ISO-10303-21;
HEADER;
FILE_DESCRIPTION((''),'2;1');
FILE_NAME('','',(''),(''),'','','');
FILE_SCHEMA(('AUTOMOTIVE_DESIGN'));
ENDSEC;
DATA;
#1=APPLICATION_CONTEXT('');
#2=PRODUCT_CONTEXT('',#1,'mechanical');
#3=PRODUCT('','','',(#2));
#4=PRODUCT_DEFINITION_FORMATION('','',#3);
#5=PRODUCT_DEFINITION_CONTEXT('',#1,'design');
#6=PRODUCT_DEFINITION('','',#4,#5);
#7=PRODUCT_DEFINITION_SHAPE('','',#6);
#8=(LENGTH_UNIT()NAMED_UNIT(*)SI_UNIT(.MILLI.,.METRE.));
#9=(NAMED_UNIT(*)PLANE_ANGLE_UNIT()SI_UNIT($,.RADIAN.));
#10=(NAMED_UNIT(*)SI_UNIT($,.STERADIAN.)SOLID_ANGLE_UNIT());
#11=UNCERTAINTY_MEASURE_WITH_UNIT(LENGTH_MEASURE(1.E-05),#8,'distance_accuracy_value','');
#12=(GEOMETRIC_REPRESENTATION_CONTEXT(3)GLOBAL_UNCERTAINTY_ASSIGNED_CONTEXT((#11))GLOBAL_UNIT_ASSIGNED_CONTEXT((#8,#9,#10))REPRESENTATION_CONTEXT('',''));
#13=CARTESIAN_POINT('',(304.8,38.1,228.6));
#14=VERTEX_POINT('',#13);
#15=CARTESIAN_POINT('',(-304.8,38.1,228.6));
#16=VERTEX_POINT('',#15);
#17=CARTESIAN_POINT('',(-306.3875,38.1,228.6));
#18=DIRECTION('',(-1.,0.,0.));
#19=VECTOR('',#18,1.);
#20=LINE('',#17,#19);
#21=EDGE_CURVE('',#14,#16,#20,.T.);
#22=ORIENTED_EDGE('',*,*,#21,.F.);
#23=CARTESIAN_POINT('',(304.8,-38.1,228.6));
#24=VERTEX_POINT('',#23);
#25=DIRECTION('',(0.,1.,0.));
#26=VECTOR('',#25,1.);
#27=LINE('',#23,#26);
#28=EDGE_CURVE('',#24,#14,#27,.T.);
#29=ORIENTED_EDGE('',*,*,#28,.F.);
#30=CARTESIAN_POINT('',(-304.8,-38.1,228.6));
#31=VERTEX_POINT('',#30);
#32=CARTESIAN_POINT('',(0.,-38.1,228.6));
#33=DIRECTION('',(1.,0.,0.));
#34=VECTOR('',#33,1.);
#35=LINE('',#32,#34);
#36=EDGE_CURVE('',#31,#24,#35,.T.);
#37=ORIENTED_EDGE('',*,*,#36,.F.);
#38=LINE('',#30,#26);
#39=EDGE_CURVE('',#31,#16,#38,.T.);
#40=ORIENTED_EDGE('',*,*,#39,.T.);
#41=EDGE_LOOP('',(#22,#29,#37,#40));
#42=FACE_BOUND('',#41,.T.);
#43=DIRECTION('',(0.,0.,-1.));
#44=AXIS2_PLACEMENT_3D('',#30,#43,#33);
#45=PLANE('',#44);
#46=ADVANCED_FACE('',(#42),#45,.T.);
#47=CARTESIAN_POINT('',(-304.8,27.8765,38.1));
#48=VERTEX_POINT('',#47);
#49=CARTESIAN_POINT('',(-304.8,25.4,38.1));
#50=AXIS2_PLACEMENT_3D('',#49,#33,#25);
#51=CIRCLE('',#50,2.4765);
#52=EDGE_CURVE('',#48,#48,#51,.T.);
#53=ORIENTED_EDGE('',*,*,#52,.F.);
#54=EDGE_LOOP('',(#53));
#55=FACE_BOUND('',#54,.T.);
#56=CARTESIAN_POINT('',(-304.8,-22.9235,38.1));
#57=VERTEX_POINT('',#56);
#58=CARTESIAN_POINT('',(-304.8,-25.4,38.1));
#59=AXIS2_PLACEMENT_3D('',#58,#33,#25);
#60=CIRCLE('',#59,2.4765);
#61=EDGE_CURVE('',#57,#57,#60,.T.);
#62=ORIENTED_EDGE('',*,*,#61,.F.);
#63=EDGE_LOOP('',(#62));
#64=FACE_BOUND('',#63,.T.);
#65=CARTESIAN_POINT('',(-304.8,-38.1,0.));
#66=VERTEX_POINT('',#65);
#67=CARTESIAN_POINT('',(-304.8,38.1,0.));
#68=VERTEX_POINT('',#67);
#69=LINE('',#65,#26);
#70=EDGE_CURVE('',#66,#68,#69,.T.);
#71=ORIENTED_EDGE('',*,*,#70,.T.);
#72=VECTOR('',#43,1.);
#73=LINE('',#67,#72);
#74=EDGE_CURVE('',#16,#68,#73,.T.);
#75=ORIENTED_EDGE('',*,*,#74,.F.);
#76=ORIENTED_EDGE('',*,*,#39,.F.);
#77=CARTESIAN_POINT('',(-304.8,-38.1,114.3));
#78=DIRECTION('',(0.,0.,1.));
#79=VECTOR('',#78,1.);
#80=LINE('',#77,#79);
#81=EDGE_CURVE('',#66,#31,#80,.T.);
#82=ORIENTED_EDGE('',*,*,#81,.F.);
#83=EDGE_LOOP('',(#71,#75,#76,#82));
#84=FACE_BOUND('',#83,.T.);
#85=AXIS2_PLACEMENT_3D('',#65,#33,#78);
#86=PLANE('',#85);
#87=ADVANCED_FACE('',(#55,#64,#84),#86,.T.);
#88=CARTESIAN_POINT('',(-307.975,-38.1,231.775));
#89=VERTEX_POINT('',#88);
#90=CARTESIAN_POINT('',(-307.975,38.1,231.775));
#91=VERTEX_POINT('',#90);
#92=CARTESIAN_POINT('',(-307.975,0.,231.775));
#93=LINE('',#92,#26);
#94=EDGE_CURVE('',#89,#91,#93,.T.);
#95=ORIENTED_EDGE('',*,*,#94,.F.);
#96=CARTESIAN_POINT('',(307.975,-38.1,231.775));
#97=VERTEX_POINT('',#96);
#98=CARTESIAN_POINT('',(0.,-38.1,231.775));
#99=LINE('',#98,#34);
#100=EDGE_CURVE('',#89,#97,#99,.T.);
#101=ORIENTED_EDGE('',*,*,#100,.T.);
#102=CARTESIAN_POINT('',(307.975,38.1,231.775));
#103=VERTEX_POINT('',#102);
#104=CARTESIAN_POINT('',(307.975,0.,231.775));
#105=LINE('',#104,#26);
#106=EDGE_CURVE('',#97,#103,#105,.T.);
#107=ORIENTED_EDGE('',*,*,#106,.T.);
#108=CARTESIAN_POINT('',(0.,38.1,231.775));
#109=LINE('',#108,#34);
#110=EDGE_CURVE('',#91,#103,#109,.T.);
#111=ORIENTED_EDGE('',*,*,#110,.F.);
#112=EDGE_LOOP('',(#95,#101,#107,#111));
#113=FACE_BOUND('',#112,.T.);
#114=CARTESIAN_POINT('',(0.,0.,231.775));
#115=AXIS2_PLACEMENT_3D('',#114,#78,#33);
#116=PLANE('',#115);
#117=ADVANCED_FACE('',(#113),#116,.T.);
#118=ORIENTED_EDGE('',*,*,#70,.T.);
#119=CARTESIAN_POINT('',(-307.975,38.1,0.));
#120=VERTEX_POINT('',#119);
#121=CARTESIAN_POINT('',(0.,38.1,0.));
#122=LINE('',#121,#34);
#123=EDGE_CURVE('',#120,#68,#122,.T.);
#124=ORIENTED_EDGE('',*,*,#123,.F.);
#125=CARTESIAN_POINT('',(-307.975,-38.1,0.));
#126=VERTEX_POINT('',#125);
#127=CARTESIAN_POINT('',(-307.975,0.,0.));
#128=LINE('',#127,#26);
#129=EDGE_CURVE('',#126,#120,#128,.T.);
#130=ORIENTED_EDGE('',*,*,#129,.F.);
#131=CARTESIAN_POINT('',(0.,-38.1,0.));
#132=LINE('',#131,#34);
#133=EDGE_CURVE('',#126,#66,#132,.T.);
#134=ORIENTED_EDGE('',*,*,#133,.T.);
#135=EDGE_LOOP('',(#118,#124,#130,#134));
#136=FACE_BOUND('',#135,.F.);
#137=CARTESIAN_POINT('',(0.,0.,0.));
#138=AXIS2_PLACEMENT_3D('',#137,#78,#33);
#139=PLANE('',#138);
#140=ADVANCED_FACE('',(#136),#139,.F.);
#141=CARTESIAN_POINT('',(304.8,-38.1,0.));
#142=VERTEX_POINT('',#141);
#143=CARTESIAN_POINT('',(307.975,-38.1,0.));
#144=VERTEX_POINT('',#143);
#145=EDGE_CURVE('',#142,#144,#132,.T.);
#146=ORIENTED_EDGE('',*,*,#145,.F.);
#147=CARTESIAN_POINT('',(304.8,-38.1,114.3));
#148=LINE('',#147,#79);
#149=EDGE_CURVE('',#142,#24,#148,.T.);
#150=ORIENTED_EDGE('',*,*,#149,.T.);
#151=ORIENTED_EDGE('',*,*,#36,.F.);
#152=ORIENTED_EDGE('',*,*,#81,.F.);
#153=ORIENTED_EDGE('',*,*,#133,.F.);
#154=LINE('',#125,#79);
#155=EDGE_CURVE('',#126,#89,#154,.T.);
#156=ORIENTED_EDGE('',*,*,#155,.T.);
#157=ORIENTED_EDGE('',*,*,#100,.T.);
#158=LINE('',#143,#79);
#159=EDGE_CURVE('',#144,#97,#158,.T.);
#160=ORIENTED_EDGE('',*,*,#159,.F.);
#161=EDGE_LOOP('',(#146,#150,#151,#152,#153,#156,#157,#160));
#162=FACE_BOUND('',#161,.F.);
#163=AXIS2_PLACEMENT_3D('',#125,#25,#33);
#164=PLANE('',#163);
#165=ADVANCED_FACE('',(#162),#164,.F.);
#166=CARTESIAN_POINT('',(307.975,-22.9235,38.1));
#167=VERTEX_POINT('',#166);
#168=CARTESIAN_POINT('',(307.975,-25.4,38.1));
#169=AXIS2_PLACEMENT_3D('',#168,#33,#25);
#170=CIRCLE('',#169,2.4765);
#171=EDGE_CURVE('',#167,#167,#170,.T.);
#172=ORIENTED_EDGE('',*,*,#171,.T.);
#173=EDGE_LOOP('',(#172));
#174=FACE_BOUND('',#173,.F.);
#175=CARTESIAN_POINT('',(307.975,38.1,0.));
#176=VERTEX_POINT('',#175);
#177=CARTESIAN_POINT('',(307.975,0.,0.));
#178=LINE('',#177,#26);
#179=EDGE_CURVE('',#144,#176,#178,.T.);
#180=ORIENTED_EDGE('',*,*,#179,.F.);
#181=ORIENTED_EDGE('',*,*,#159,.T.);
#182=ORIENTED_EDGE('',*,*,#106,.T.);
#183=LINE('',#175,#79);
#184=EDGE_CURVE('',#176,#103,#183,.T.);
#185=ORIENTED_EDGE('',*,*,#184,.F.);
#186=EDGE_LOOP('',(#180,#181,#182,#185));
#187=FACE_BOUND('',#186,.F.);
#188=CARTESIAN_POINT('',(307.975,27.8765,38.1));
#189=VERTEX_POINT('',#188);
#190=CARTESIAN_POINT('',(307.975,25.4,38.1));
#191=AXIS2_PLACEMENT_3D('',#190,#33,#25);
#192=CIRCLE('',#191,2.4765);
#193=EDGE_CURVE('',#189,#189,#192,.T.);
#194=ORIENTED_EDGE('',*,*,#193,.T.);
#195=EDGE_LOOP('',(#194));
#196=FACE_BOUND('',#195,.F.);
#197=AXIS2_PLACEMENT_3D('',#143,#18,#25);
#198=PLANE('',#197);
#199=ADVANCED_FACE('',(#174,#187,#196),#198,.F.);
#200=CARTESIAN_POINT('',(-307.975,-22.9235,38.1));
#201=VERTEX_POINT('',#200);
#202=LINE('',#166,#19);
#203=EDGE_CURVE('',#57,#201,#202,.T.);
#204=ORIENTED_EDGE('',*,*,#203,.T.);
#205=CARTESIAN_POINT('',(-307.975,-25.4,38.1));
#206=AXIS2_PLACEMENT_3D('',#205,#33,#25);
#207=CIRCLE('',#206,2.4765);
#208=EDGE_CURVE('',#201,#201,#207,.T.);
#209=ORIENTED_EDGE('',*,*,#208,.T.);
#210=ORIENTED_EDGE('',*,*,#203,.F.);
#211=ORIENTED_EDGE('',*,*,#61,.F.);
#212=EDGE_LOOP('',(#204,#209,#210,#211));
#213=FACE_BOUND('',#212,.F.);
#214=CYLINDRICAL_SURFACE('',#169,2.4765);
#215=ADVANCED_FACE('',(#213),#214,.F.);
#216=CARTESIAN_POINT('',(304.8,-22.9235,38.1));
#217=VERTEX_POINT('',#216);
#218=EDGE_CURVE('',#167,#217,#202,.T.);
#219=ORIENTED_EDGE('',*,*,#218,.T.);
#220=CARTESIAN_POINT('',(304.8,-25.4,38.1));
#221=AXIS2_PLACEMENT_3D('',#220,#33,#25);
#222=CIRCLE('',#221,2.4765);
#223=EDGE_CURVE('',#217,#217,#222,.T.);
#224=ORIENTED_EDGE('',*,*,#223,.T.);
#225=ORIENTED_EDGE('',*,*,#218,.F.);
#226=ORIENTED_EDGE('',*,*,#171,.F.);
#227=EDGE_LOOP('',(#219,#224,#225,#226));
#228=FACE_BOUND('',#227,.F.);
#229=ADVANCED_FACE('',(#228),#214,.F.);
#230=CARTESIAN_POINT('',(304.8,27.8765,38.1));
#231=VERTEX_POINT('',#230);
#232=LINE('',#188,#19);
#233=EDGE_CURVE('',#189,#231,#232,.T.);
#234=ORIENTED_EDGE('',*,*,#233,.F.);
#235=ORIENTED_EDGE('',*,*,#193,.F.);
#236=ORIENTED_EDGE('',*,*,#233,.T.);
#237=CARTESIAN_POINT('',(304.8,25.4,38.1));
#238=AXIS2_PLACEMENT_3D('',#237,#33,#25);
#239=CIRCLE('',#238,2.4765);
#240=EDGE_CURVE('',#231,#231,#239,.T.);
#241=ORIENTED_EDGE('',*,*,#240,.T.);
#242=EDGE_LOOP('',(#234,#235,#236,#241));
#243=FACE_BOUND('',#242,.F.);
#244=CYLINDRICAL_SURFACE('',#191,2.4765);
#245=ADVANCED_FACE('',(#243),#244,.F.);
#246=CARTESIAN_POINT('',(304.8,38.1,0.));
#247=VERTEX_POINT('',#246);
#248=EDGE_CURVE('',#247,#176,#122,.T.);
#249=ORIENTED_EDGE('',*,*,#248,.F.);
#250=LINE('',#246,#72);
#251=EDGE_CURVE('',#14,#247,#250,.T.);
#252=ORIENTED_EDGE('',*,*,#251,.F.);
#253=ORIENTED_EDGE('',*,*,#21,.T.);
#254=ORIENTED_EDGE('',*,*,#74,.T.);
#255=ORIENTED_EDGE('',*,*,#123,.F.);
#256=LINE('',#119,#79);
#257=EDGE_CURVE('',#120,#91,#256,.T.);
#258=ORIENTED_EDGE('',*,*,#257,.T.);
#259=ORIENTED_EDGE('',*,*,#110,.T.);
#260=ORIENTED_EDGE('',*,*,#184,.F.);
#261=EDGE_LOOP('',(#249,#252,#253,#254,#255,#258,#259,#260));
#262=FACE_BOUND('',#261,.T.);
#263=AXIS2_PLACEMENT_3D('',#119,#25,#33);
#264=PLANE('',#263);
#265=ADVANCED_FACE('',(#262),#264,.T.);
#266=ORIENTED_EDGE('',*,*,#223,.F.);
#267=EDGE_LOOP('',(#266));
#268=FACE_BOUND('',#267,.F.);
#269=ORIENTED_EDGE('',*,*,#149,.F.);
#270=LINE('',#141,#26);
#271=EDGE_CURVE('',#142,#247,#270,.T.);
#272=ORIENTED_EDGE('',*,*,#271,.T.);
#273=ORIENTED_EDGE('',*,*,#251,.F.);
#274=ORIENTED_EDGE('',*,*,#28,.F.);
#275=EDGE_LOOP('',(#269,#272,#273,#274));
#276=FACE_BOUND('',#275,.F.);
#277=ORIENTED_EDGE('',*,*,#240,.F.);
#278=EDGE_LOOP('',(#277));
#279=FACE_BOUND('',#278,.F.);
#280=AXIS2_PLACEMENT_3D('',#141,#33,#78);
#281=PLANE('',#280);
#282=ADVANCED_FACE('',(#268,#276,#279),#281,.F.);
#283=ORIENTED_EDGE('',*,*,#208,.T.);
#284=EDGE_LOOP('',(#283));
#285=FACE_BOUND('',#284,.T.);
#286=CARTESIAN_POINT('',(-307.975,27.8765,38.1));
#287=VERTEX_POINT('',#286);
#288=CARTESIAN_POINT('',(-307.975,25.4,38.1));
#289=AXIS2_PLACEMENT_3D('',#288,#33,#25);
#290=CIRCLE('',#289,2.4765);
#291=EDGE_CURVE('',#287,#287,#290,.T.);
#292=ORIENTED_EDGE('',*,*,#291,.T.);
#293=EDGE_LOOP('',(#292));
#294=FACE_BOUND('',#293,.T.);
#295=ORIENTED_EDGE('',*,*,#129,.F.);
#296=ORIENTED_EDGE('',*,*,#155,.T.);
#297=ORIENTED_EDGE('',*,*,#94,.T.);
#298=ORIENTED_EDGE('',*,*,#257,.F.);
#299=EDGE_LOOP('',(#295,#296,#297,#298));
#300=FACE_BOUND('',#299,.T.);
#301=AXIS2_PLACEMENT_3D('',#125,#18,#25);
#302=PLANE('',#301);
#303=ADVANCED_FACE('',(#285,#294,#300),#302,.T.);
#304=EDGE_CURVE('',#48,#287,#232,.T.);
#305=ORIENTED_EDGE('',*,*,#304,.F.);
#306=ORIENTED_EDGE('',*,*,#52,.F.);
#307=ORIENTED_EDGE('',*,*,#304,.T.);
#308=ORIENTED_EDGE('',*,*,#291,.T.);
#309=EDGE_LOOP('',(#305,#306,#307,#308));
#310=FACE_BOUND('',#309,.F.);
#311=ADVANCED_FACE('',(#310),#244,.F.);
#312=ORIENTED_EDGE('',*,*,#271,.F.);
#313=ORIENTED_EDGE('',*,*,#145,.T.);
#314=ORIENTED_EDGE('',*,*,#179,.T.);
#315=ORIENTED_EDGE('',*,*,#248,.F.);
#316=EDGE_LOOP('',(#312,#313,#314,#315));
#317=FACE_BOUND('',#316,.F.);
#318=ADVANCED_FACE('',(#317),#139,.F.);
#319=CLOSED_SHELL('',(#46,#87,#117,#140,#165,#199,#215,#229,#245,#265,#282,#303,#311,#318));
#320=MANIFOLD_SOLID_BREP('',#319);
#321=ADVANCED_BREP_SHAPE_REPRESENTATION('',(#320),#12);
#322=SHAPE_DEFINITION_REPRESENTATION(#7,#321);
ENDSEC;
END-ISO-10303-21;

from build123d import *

# Parameters (mm, degrees)
F0_W     = 615.95
F0_H     = 76.2
F1_DEPTH = 231.775
F2_W     = 609.6
F2_H     = 228.6
F3_DEPTH = 76.201
F4_R     = 2.4765
F5_DEPTH = 615.951


with BuildPart() as f1:
    # F0 (on Top) → F1 (new body)
    with BuildSketch(Plane.XY):
        Rectangle(F0_W, F0_H)
    extrude(amount=F1_DEPTH)

    # F2 (on face) → F3 (cut, through all)
    with BuildSketch(Plane.XZ.offset(38.1)):
        with Locations((0, 114.3)):
            Rectangle(F2_W, F2_H)
    extrude(amount=-F3_DEPTH, mode=Mode.SUBTRACT)

    # F4 (on face) → F5 (cut, through all)
    with BuildSketch(Plane.YZ.offset(307.975)):
        with BuildLine():
            ThreePointArc((-27.8765, 38.1), (-25.4, 35.6235), (-22.9235, 38.1))
            ThreePointArc((-22.9235, 38.1), (-25.4, 40.5765), (-27.8765, 38.1))
        make_face()
        with Locations((25.4, 38.1)):
            Circle(F4_R)
    extrude(amount=-F5_DEPTH, mode=Mode.SUBTRACT)


solid = f1.part
